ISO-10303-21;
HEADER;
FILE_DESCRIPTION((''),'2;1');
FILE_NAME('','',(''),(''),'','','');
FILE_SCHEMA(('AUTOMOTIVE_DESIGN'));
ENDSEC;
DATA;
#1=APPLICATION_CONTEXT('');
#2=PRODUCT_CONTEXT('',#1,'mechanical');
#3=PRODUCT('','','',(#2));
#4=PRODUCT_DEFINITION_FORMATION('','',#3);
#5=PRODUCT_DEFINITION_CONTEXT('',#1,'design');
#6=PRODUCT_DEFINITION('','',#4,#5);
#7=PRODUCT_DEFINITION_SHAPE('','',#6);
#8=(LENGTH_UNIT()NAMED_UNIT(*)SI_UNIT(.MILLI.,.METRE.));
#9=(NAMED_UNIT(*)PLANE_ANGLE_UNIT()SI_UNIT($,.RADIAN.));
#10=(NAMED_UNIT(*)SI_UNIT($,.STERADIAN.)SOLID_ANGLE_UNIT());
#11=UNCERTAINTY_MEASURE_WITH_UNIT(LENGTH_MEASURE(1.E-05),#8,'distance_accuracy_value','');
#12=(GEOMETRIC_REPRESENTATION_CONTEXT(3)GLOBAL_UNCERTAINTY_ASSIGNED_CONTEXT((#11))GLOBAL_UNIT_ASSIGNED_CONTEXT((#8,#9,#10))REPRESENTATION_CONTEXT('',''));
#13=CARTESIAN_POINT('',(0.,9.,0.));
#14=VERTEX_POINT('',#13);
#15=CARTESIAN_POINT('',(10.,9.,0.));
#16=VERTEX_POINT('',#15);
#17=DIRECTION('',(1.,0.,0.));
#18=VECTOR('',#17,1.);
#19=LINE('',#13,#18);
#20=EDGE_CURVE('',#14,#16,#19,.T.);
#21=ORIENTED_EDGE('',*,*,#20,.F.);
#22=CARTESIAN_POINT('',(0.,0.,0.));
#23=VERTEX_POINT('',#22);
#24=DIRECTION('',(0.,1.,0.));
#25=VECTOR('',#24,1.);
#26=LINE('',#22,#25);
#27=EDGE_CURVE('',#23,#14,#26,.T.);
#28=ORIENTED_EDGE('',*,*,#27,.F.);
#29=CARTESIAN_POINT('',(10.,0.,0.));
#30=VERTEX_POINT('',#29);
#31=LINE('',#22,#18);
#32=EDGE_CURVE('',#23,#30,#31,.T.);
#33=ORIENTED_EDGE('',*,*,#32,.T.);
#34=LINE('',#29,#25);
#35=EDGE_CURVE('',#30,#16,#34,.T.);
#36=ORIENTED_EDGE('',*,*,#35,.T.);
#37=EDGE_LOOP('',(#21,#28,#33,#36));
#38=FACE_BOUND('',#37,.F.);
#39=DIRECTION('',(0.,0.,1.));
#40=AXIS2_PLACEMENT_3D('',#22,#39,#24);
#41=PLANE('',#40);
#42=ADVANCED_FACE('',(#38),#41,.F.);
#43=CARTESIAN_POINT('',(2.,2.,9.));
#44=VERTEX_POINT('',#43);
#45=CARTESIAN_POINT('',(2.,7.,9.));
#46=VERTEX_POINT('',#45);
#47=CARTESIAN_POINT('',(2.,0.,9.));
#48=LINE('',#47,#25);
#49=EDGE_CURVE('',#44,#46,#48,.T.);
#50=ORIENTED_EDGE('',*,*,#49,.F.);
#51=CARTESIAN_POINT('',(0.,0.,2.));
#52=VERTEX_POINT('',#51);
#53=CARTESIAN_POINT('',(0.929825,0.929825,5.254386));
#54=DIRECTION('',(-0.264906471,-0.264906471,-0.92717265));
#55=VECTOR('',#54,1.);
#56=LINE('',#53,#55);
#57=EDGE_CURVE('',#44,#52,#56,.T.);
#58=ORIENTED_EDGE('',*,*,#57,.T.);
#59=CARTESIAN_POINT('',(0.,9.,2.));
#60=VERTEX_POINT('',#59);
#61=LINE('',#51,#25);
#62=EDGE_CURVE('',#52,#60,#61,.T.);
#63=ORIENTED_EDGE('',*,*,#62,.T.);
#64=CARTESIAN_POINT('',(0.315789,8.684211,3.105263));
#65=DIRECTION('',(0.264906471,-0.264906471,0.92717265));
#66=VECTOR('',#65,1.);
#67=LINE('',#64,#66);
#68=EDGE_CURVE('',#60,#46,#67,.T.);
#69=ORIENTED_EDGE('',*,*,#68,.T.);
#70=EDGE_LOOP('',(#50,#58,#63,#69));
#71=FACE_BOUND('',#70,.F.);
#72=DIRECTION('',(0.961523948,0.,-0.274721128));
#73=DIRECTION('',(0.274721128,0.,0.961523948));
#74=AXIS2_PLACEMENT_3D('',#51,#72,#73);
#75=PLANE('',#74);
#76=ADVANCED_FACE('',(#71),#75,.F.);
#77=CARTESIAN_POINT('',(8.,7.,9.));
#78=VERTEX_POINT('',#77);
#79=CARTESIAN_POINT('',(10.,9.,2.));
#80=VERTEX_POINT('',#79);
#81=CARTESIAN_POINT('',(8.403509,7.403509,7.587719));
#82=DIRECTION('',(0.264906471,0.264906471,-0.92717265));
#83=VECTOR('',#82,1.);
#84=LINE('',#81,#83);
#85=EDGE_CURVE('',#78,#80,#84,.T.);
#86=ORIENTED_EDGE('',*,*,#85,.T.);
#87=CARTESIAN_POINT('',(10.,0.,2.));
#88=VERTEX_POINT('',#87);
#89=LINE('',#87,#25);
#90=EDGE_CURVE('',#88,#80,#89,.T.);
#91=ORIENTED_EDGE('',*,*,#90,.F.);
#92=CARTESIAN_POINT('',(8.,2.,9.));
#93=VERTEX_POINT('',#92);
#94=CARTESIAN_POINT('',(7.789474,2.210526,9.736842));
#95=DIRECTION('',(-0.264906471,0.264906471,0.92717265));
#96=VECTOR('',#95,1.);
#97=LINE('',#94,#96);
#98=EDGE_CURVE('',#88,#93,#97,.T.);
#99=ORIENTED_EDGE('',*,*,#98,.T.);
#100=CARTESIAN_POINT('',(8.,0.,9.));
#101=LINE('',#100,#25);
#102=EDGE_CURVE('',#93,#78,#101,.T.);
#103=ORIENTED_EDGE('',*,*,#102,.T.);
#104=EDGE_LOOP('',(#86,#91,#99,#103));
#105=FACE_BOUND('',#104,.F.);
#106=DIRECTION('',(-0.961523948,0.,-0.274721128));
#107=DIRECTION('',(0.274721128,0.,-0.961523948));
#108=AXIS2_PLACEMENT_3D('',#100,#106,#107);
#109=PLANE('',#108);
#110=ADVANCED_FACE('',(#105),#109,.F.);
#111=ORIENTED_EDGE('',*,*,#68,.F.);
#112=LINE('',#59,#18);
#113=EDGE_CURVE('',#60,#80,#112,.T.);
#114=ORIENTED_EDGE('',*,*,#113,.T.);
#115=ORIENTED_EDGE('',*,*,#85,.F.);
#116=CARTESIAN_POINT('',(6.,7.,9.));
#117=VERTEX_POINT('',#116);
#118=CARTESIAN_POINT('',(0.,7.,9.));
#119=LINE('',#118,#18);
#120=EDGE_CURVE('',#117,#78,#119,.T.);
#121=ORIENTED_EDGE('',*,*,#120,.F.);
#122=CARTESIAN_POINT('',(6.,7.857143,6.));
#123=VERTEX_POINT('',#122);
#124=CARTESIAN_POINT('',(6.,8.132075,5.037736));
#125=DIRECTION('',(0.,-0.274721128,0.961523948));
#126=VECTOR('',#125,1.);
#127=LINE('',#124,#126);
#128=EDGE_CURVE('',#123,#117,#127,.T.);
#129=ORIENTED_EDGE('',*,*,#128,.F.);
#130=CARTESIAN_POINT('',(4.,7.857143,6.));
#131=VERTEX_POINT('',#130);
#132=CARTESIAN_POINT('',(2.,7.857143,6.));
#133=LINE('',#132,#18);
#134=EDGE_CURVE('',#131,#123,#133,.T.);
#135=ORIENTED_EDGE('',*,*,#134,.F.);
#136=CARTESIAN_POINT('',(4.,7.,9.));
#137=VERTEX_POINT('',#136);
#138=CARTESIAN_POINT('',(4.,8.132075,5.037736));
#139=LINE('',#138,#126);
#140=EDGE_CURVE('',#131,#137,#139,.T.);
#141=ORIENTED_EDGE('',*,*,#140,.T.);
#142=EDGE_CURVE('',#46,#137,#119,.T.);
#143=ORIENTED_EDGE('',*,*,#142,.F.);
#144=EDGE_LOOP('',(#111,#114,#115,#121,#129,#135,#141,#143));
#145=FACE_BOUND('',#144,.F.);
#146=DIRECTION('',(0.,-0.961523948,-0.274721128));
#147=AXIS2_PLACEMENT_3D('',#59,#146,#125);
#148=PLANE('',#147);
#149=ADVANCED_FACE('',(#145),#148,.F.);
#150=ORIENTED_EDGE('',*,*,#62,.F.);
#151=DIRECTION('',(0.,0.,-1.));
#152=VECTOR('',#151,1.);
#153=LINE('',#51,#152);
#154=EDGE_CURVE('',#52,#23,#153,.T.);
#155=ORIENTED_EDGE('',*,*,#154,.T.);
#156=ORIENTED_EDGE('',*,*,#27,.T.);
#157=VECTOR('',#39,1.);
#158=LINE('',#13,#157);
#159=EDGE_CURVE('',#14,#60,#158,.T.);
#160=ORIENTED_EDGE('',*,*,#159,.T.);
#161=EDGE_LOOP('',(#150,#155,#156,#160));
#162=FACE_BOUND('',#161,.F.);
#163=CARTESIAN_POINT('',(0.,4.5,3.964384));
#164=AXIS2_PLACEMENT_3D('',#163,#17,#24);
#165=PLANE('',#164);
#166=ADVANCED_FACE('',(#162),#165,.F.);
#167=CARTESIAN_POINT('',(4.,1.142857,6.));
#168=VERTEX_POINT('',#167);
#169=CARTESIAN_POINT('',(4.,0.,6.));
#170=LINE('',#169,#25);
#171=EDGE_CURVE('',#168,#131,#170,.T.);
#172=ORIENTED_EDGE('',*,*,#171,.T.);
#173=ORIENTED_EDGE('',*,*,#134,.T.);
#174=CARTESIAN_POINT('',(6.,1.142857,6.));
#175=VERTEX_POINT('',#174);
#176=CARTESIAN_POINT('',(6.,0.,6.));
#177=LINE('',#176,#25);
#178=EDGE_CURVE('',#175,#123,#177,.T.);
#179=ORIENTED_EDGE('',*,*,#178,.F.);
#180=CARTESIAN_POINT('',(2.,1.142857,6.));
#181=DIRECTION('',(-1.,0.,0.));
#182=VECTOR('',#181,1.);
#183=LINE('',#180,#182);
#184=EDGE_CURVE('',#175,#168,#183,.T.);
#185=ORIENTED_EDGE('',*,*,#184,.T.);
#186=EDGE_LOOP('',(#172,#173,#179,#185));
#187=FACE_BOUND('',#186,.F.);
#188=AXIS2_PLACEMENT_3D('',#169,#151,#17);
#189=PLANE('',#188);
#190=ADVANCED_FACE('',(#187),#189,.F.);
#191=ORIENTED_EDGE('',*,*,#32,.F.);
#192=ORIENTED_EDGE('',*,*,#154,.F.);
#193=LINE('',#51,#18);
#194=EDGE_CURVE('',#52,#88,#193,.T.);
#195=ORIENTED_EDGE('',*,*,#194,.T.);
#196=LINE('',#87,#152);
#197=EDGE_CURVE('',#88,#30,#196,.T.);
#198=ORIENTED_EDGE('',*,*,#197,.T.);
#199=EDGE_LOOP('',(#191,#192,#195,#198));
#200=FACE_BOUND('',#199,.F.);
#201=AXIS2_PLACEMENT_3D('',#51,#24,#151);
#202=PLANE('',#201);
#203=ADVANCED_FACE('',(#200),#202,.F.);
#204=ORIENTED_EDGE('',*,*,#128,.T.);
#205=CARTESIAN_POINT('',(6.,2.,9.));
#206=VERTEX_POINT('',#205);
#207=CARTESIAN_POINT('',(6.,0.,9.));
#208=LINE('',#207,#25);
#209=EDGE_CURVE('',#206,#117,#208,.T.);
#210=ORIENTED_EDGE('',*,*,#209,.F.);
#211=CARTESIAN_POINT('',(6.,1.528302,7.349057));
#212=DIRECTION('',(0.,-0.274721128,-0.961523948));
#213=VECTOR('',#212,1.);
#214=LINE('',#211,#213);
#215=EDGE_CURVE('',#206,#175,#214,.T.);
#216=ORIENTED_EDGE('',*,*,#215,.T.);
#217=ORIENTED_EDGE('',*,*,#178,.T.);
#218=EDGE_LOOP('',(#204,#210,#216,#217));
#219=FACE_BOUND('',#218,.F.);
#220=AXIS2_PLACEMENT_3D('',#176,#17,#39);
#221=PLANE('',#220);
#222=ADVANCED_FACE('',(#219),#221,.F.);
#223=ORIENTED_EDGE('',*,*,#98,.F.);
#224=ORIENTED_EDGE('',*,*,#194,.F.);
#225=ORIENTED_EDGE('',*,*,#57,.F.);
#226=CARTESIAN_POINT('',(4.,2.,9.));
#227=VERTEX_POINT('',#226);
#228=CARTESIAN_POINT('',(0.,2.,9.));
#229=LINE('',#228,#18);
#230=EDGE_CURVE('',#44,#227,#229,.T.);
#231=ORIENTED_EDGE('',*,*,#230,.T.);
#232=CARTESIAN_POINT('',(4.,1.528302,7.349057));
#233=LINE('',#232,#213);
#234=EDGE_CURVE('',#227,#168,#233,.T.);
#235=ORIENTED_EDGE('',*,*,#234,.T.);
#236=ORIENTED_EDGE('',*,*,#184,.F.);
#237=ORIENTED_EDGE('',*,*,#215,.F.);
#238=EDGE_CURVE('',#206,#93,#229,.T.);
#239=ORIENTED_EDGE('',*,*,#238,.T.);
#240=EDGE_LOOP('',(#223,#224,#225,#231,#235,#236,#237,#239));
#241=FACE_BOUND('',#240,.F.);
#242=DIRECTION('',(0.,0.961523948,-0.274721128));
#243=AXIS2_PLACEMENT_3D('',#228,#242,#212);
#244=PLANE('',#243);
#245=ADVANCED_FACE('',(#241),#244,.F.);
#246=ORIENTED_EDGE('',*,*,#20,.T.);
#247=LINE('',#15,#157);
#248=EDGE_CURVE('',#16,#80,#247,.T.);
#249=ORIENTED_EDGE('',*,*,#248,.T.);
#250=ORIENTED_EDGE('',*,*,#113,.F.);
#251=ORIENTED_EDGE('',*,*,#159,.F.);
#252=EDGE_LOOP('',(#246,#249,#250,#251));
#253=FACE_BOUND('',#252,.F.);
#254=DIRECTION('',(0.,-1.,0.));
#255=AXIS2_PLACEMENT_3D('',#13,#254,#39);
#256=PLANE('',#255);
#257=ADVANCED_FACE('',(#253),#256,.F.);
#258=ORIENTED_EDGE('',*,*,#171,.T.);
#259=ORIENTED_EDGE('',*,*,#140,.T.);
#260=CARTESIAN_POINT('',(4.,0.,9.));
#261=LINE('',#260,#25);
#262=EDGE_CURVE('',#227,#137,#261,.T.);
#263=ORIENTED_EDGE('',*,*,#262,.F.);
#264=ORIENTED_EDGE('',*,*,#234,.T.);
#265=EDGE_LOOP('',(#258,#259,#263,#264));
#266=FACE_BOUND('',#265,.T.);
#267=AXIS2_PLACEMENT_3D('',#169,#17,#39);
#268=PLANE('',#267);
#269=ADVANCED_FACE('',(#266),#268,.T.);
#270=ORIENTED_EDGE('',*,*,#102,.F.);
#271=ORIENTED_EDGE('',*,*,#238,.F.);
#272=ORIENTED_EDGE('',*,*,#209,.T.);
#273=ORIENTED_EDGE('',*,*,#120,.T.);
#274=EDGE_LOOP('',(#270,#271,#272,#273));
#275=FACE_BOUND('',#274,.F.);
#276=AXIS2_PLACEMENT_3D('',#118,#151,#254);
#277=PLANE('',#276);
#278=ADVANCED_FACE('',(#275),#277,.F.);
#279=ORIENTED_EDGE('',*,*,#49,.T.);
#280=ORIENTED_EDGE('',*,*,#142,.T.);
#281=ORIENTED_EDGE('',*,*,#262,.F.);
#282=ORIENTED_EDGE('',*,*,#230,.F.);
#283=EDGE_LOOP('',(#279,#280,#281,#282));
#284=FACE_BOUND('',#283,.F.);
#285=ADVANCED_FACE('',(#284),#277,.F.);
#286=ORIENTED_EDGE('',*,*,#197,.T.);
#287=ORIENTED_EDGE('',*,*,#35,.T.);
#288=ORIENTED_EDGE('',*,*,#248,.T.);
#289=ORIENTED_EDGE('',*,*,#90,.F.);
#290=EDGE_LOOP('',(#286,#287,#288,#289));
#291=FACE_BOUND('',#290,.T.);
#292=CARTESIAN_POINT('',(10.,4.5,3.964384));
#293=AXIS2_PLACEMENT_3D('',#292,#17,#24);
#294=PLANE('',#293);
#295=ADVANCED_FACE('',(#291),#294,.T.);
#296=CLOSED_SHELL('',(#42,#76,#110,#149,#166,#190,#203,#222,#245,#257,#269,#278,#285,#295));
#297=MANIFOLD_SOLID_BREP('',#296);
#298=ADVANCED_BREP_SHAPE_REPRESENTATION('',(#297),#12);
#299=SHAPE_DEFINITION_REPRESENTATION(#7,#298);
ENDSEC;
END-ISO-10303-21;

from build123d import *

# Parameters (mm, degrees)
F1_DEPTH = 10
F2_W     = 2
F2_H     = 3
F3_DEPTH = 9.001


with BuildPart() as f1:
    # F0 (on Right) → F1 (new body)
    with BuildSketch(Plane.YZ):
        Polygon((0, 2), (0, 0), (9, 0), (9, 2), (7, 9), (2, 9), align=None)
    extrude(amount=F1_DEPTH)

    # F2 (on face) → F3 (cut, through all)
    with BuildSketch(Plane.XZ):
        Polygon((8, 9), (10, 2), (10, 9), align=None)
        with Locations((5, 7.5)):
            Rectangle(F2_W, F2_H)
        Polygon((0, 9), (0, 2), (2, 9), align=None)
    extrude(amount=-F3_DEPTH, mode=Mode.SUBTRACT)


solid = f1.part
